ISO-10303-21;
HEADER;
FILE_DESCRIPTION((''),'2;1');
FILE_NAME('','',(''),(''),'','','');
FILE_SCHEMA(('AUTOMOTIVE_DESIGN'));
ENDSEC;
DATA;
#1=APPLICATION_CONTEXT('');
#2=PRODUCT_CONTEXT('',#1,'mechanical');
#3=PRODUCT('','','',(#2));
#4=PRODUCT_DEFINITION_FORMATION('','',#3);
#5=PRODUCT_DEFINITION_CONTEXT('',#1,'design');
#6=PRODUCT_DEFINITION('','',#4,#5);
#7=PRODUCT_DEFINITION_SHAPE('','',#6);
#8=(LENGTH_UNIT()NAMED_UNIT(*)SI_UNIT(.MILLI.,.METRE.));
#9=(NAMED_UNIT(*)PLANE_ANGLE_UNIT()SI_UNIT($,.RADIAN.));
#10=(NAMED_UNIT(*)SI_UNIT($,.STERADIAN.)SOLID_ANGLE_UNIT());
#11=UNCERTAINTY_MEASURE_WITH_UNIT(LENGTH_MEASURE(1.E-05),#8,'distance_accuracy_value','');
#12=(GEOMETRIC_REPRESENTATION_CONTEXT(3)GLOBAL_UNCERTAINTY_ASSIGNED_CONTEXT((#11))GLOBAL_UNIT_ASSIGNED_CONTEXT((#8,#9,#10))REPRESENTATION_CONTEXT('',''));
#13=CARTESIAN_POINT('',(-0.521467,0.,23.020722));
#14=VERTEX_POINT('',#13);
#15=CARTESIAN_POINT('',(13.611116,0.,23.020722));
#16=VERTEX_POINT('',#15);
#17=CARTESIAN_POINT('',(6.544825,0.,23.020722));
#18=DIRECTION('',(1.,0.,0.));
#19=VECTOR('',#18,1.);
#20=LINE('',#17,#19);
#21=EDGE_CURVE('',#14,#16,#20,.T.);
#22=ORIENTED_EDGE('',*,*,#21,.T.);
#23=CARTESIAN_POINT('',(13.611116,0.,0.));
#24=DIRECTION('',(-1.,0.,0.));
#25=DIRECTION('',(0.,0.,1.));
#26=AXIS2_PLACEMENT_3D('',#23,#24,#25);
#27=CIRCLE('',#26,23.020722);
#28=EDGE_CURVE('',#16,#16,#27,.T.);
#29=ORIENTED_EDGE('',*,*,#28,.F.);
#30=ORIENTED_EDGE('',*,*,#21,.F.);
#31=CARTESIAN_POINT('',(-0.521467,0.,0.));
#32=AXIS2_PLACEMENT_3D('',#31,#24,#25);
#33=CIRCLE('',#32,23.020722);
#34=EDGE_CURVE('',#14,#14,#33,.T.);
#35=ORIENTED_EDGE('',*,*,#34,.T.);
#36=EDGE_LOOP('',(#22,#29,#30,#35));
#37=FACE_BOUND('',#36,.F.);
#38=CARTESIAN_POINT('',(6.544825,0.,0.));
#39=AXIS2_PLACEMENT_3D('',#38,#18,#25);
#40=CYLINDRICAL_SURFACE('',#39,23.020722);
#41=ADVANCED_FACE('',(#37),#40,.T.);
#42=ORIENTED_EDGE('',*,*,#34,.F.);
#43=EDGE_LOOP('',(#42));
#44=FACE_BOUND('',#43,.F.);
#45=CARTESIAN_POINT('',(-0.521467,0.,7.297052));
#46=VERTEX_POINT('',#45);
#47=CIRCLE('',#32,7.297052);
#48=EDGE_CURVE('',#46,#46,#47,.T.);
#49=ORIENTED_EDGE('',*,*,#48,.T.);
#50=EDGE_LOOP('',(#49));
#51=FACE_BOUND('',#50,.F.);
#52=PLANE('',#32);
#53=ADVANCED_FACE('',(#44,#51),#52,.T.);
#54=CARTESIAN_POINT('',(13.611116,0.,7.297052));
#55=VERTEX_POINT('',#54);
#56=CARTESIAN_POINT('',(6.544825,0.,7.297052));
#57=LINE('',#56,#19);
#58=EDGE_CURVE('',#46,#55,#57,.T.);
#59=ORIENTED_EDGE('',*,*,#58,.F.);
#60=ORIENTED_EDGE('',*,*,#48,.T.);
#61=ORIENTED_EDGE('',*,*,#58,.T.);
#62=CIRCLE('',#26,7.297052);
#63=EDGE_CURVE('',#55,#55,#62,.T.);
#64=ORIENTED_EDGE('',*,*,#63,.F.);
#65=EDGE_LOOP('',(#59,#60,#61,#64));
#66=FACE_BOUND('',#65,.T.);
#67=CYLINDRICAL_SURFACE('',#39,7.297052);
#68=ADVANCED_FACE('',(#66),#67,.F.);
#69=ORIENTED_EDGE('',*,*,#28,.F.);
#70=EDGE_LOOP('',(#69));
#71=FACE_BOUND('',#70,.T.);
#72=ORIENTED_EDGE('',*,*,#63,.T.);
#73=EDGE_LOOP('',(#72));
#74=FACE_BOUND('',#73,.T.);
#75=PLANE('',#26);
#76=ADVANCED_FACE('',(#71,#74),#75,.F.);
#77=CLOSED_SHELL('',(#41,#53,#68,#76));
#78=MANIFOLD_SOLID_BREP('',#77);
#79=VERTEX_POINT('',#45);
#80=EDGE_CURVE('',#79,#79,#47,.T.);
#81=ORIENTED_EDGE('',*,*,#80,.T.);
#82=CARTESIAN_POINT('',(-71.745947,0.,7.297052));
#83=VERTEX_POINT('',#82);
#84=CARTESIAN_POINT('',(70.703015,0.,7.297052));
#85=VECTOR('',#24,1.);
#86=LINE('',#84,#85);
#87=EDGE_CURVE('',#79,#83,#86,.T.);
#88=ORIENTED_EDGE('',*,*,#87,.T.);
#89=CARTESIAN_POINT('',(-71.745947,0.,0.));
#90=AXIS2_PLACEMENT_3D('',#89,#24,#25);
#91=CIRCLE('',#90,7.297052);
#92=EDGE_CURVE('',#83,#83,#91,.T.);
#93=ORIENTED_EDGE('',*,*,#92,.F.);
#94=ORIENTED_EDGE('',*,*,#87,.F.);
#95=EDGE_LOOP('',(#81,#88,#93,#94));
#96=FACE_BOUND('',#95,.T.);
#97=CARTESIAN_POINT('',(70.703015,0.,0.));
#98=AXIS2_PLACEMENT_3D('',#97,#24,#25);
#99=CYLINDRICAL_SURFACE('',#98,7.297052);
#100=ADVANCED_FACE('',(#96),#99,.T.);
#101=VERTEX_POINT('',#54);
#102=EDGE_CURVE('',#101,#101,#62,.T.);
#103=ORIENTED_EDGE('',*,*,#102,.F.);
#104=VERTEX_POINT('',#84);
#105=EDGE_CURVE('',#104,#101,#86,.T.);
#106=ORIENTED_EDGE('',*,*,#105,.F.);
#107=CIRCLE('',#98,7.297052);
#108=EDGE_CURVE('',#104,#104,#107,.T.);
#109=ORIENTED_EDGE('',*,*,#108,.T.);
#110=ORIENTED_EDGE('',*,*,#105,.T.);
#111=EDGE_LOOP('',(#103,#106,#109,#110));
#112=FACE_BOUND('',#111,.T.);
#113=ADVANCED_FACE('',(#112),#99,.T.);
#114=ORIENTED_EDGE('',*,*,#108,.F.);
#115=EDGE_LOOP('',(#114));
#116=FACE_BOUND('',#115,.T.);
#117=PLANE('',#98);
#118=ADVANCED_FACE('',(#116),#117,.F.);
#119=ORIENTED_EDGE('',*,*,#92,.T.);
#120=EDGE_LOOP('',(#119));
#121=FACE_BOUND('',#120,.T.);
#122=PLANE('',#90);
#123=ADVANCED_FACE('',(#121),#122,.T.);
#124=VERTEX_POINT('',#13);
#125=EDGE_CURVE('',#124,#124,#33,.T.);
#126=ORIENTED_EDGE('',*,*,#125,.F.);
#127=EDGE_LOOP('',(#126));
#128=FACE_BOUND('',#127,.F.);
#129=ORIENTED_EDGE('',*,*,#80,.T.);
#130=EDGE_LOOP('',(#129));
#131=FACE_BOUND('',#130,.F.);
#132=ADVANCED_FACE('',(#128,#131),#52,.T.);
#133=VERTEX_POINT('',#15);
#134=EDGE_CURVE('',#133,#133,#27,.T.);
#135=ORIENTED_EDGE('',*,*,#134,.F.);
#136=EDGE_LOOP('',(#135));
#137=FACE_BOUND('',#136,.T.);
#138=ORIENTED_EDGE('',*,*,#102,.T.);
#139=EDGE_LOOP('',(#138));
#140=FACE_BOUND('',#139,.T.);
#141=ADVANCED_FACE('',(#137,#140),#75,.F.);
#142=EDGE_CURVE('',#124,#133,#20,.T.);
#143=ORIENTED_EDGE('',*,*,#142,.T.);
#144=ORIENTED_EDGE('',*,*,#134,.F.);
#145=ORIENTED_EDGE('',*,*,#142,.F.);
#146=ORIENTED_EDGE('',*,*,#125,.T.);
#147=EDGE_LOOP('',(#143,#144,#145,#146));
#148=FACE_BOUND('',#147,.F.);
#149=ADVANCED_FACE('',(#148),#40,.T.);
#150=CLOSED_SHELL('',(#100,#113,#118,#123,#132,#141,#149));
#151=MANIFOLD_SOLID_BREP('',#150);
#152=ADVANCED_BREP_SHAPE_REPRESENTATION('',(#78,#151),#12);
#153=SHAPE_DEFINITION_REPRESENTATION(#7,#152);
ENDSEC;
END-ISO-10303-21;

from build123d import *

# Parameters (mm, degrees)
F0_W = 14.132583
F0_H = 15.72367


with BuildPart() as f1:
    # F0 (on Front) → F1 (revolve)
    with BuildSketch(Plane.XZ):
        with Locations((6.544825, 15.158887)):
            Rectangle(F0_W, F0_H)
    revolve(axis=Axis((-0.521466, 0, 0), (-1, 0, 0)))


with BuildPart() as f2:
    # F0 (on Front) → F2 (revolve)
    with BuildSketch(Plane.XZ):
        Polygon((70.703015, 0), (70.703015, 7.297052), (13.611117, 7.297052), (-0.521466, 7.297052), (-71.745947, 7.297052), (-71.745947, 0), align=None)
        with Locations((6.544825, 15.158887)):
            Rectangle(F0_W, F0_H)
    revolve(axis=Axis((-0.521466, 0, 0), (-1, 0, 0)))


solid = Compound([f1.part, f2.part])
